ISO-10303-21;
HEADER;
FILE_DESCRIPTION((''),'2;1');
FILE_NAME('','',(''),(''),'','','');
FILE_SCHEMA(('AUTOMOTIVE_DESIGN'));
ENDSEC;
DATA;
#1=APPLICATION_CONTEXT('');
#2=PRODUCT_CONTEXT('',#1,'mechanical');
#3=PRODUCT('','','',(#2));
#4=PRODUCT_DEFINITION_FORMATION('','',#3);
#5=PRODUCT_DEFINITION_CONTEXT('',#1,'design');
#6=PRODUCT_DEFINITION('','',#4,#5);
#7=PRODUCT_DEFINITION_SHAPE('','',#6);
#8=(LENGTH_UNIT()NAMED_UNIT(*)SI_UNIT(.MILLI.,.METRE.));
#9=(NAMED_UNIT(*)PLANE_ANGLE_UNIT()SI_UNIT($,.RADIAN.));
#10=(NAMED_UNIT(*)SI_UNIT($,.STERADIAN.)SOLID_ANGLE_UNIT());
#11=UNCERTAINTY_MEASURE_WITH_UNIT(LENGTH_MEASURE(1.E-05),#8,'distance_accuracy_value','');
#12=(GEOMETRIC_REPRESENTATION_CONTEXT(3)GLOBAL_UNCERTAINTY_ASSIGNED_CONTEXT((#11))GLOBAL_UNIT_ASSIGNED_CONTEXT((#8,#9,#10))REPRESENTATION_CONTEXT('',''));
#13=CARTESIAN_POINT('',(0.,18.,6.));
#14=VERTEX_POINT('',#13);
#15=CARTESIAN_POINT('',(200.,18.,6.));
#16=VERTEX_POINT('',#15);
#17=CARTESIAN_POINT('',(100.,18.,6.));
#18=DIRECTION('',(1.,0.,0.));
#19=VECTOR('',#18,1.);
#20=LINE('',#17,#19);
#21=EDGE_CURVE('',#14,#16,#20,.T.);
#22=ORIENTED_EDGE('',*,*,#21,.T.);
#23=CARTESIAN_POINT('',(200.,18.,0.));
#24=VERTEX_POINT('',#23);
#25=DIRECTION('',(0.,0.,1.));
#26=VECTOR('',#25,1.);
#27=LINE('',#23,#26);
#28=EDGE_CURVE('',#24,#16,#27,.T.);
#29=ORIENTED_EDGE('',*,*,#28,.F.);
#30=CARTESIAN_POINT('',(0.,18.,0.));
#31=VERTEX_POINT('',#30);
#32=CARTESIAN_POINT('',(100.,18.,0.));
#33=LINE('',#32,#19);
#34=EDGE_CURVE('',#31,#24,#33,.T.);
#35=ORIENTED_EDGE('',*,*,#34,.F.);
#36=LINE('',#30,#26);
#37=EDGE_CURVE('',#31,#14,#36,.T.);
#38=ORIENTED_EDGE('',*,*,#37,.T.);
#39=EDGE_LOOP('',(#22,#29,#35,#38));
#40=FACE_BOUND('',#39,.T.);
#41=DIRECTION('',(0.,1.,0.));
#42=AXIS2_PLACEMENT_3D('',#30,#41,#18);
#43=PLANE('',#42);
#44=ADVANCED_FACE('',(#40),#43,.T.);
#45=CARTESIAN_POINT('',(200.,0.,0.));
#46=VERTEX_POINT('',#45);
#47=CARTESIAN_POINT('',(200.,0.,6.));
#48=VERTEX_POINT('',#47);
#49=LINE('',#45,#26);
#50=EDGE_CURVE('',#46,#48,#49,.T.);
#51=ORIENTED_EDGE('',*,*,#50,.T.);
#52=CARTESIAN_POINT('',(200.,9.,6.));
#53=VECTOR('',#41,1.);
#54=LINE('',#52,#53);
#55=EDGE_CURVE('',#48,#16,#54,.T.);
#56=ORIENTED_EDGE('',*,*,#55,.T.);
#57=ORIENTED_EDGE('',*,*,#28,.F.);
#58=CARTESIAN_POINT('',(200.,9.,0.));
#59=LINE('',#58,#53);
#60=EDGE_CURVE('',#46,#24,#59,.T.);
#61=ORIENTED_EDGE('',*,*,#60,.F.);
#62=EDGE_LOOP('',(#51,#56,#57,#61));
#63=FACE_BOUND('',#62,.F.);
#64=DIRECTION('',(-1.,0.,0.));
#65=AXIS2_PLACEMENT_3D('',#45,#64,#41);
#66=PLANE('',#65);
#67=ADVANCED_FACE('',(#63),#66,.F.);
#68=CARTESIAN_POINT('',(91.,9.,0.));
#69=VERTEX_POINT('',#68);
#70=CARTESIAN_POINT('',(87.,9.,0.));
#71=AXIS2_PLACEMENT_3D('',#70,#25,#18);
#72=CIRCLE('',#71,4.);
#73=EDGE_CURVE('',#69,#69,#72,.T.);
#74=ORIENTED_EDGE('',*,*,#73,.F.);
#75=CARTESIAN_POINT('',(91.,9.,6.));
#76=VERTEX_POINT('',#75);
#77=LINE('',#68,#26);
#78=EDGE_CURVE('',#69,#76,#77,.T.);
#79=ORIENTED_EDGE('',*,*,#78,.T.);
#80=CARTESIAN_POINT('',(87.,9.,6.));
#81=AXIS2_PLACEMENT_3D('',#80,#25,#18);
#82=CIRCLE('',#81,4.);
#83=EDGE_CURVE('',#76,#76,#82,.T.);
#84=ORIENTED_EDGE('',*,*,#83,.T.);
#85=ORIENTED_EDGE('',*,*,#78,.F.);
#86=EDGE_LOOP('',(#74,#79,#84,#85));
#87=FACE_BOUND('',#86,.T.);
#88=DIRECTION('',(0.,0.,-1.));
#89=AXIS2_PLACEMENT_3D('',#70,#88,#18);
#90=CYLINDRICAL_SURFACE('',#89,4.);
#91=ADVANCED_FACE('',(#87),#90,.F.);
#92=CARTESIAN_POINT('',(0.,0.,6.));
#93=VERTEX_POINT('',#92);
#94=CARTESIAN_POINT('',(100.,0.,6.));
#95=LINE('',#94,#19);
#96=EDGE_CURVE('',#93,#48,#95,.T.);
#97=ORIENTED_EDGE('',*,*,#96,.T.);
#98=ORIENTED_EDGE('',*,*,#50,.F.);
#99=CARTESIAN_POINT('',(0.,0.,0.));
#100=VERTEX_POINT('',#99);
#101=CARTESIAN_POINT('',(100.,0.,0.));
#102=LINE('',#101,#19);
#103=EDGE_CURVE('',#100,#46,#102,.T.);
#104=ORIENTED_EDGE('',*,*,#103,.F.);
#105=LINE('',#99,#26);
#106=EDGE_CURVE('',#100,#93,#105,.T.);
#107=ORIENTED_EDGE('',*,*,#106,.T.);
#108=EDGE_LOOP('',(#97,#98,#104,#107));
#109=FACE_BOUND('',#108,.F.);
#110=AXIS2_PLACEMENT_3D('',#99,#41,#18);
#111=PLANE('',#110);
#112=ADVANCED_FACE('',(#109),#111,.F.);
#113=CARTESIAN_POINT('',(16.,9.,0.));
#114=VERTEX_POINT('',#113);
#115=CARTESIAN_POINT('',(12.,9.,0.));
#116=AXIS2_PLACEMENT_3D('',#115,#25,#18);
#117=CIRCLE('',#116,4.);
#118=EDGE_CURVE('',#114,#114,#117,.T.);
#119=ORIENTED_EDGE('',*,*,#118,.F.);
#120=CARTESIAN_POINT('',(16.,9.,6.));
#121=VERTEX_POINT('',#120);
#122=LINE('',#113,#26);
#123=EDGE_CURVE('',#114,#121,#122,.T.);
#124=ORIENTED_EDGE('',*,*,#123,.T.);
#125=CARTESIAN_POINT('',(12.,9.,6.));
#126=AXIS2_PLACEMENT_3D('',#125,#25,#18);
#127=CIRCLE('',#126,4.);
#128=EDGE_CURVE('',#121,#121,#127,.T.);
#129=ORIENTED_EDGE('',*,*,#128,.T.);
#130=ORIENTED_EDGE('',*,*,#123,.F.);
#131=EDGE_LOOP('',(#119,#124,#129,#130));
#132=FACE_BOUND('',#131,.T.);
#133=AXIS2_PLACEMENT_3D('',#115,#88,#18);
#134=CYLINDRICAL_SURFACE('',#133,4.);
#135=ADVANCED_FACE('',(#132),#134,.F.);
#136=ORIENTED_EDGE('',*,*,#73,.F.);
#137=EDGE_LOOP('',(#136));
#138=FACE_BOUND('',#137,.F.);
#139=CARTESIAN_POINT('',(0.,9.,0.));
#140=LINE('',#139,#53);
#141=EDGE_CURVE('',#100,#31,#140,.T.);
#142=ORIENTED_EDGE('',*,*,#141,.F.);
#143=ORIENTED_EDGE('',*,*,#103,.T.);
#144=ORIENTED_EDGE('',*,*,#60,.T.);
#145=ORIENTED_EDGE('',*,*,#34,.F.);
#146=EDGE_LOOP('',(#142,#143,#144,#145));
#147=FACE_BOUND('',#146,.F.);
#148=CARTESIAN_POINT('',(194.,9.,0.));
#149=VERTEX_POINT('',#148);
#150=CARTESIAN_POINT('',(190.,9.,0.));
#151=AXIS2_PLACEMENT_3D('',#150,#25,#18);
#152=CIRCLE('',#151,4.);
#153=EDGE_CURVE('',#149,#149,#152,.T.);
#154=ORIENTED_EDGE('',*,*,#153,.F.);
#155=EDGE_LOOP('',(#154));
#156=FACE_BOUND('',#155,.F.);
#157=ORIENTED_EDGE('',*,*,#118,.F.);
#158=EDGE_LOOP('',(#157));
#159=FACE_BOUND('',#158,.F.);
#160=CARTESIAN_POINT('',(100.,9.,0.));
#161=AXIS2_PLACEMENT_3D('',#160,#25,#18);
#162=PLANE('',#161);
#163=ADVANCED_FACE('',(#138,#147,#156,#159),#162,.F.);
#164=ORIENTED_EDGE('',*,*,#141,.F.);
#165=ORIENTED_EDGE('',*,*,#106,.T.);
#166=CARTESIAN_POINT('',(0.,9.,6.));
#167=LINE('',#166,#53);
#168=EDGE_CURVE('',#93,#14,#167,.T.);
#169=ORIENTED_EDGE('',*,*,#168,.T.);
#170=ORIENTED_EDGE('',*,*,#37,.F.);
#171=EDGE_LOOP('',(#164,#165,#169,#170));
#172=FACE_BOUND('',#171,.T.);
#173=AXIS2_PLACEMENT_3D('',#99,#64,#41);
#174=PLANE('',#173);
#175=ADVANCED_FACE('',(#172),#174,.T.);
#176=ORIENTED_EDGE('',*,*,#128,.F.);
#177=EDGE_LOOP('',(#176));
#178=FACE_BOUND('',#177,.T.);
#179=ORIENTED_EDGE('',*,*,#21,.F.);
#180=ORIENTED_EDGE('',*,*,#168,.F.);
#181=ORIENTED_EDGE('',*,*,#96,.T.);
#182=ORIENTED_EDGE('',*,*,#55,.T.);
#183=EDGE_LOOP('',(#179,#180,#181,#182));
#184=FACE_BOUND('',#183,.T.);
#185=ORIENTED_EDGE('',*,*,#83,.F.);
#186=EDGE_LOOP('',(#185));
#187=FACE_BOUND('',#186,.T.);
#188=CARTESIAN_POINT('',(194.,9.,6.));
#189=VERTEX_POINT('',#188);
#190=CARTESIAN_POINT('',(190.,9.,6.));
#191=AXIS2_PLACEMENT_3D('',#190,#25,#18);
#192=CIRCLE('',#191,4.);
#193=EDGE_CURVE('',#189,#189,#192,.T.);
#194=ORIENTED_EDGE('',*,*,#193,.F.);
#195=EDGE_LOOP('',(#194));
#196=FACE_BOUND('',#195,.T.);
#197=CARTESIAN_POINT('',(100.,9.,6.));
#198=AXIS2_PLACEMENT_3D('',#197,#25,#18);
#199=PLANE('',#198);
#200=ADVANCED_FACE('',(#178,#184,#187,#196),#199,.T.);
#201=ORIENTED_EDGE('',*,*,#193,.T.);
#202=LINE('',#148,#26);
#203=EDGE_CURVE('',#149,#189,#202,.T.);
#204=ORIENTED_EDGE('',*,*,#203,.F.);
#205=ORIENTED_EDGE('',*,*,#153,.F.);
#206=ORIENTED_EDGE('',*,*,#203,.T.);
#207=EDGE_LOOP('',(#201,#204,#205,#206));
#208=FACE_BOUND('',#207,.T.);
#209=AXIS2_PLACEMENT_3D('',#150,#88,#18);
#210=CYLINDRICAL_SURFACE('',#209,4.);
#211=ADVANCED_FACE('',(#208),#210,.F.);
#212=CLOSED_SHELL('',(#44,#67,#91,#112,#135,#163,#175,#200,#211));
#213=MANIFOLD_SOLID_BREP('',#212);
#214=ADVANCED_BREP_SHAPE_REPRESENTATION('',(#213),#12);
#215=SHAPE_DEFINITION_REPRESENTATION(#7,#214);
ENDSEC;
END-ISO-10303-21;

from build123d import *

# Parameters (mm, degrees)
F1_W     = 200
F1_H     = 18
F1_R     = 4
F2_DEPTH = 6


with BuildPart() as f2:
    # F1 (on face) → F2 (new body)
    with BuildSketch(Plane.XY):
        with Locations((100, 9)):
            Rectangle(F1_W, F1_H)
        with Locations((12, 9)):
            Circle(F1_R, mode=Mode.SUBTRACT)
        with Locations((87, 9)):
            Circle(F1_R, mode=Mode.SUBTRACT)
        with Locations((190, 9)):
            Circle(F1_R, mode=Mode.SUBTRACT)
    extrude(amount=F2_DEPTH)


solid = f2.part
